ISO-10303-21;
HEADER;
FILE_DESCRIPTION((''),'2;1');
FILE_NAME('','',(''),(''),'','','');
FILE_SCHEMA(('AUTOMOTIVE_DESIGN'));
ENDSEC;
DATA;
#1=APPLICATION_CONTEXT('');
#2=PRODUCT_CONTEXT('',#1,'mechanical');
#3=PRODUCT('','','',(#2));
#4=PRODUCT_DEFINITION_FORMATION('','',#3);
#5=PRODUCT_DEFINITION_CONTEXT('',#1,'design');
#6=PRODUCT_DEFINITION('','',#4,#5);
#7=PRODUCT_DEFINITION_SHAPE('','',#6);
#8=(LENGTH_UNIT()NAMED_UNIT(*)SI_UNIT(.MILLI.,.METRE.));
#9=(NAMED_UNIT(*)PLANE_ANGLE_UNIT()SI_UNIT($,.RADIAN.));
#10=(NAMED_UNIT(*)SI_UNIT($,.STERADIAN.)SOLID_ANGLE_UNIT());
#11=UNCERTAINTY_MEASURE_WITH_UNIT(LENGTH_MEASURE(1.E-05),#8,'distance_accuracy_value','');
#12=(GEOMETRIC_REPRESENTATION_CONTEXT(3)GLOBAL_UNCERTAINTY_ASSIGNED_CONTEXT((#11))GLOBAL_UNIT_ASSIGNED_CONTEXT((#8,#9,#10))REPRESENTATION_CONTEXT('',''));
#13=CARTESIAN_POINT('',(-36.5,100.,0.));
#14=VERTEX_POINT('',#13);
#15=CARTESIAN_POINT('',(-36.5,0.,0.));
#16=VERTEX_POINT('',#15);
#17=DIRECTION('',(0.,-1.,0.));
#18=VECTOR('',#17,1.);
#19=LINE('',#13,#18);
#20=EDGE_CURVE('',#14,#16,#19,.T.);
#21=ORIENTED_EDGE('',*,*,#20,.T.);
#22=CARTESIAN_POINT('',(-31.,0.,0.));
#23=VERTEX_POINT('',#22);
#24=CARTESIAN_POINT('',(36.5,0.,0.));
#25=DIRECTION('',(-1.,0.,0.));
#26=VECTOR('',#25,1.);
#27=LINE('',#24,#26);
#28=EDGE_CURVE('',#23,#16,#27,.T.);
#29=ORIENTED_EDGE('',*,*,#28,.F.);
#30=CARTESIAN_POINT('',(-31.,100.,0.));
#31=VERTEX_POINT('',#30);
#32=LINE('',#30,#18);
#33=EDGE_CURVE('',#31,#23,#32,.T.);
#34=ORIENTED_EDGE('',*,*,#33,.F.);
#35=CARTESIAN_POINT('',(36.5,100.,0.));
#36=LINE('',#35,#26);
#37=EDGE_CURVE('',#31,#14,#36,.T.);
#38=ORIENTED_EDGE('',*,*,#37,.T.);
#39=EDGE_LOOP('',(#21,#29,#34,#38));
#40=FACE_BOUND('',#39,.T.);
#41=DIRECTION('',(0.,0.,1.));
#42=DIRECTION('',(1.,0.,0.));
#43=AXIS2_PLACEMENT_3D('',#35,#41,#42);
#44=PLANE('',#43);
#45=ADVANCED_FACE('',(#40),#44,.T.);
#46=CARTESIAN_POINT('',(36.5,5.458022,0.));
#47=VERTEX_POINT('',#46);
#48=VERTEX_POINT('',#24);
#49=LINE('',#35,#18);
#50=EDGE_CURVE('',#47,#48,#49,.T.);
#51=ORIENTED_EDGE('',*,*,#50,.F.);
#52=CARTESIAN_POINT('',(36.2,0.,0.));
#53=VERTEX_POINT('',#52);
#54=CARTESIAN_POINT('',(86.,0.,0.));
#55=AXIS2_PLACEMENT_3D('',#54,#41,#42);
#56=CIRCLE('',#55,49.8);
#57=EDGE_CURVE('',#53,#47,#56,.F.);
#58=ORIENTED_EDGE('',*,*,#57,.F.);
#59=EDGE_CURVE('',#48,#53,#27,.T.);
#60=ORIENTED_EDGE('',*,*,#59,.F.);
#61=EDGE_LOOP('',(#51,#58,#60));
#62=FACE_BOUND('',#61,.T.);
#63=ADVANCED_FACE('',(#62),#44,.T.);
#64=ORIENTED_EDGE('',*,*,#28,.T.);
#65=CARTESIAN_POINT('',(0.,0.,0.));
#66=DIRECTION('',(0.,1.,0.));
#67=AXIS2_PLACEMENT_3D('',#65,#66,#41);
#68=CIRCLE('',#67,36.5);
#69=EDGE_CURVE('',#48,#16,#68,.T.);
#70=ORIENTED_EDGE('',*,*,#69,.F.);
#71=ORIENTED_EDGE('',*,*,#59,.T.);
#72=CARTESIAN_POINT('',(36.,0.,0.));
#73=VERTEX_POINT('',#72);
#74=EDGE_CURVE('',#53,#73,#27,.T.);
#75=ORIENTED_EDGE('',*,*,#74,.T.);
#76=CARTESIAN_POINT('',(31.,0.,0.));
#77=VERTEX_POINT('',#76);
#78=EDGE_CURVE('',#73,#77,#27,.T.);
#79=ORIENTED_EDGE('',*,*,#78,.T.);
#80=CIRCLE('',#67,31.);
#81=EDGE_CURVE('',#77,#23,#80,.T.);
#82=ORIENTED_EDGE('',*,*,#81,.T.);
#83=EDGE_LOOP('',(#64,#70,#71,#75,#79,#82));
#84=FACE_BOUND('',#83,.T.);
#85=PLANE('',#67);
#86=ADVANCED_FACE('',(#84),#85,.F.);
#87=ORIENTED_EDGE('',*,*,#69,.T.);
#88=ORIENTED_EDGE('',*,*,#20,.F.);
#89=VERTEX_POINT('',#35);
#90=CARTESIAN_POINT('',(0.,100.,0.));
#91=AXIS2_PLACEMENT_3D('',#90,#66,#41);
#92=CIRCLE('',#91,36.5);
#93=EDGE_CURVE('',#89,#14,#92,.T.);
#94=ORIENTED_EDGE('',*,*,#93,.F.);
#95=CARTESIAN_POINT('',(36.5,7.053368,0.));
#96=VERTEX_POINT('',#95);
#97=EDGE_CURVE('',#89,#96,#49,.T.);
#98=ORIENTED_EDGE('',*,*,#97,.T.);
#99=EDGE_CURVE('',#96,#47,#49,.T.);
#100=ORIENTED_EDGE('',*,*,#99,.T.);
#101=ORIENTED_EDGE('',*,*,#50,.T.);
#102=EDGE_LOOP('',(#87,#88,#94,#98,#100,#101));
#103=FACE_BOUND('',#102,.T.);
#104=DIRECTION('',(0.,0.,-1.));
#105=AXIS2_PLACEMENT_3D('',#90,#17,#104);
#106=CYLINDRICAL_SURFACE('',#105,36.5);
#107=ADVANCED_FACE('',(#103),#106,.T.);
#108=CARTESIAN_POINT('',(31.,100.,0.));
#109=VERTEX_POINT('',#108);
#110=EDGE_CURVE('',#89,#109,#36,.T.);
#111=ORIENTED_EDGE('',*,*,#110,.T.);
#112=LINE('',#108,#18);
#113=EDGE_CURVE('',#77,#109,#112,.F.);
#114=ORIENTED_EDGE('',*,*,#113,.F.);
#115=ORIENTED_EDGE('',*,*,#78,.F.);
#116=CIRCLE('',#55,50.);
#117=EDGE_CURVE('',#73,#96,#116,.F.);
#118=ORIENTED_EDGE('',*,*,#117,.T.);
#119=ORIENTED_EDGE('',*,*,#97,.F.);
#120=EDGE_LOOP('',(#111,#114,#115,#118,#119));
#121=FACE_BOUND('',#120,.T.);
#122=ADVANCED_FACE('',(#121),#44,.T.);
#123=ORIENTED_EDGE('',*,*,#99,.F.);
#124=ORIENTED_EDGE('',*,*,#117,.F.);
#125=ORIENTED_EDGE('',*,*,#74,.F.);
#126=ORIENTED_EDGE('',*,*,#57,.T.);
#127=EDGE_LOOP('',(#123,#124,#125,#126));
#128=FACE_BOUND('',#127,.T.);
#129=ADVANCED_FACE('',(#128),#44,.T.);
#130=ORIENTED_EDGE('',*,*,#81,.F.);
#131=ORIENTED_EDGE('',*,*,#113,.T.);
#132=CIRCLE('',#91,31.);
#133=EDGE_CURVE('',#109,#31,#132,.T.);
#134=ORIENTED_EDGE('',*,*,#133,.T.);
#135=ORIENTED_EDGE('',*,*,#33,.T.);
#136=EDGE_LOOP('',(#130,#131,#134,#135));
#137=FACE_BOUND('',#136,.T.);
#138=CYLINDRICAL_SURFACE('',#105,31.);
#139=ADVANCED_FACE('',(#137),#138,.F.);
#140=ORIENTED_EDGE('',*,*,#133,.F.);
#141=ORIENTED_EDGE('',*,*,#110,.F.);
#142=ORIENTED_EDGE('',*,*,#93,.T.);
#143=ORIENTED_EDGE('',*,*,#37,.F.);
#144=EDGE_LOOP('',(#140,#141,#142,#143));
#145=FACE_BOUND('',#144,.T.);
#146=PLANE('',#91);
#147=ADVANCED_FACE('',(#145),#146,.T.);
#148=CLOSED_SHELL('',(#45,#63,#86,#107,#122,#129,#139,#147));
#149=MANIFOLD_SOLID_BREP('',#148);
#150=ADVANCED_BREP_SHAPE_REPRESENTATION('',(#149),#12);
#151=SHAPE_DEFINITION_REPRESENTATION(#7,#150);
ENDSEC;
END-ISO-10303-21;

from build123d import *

# Parameters (mm, degrees)
SKETCH1_R           = 36.5
BOSS_EXTRUDE1_DEPTH = 100
SKETCH2_R           = 31
CUT_EXTRUDE2_DEPTH  = 101
CUT_EXTRUDE4_DEPTH  = 101


with BuildPart() as part:
    # Sketch1 → Boss-Extrude1 (new body)
    with BuildSketch(Plane(origin=(0, 0, 0), x_dir=(1, 0, 0), z_dir=(0, 1, 0))):
        Circle(SKETCH1_R)
    extrude(amount=BOSS_EXTRUDE1_DEPTH)

    # Sketch2 → Cut-Extrude2 (cut, through all)
    with BuildSketch(Plane(origin=(0, 0, 0), x_dir=(1, 0, 0), z_dir=(0, 1, 0))):
        Circle(SKETCH2_R)
    extrude(amount=CUT_EXTRUDE2_DEPTH, mode=Mode.SUBTRACT)

    # Sketch4 → Cut-Extrude4 (cut, through all)
    with BuildSketch(Plane(origin=(0, 0, 0), x_dir=(1, 0, 0), z_dir=(0, 1, 0))):
        with BuildLine():
            Line((36.5, 0), (-36.5, 0))
            ThreePointArc((-36.5, 0), (0, -36.5), (36.5, 0))
        make_face()
    extrude(amount=CUT_EXTRUDE4_DEPTH, mode=Mode.SUBTRACT)


solid = part.part
